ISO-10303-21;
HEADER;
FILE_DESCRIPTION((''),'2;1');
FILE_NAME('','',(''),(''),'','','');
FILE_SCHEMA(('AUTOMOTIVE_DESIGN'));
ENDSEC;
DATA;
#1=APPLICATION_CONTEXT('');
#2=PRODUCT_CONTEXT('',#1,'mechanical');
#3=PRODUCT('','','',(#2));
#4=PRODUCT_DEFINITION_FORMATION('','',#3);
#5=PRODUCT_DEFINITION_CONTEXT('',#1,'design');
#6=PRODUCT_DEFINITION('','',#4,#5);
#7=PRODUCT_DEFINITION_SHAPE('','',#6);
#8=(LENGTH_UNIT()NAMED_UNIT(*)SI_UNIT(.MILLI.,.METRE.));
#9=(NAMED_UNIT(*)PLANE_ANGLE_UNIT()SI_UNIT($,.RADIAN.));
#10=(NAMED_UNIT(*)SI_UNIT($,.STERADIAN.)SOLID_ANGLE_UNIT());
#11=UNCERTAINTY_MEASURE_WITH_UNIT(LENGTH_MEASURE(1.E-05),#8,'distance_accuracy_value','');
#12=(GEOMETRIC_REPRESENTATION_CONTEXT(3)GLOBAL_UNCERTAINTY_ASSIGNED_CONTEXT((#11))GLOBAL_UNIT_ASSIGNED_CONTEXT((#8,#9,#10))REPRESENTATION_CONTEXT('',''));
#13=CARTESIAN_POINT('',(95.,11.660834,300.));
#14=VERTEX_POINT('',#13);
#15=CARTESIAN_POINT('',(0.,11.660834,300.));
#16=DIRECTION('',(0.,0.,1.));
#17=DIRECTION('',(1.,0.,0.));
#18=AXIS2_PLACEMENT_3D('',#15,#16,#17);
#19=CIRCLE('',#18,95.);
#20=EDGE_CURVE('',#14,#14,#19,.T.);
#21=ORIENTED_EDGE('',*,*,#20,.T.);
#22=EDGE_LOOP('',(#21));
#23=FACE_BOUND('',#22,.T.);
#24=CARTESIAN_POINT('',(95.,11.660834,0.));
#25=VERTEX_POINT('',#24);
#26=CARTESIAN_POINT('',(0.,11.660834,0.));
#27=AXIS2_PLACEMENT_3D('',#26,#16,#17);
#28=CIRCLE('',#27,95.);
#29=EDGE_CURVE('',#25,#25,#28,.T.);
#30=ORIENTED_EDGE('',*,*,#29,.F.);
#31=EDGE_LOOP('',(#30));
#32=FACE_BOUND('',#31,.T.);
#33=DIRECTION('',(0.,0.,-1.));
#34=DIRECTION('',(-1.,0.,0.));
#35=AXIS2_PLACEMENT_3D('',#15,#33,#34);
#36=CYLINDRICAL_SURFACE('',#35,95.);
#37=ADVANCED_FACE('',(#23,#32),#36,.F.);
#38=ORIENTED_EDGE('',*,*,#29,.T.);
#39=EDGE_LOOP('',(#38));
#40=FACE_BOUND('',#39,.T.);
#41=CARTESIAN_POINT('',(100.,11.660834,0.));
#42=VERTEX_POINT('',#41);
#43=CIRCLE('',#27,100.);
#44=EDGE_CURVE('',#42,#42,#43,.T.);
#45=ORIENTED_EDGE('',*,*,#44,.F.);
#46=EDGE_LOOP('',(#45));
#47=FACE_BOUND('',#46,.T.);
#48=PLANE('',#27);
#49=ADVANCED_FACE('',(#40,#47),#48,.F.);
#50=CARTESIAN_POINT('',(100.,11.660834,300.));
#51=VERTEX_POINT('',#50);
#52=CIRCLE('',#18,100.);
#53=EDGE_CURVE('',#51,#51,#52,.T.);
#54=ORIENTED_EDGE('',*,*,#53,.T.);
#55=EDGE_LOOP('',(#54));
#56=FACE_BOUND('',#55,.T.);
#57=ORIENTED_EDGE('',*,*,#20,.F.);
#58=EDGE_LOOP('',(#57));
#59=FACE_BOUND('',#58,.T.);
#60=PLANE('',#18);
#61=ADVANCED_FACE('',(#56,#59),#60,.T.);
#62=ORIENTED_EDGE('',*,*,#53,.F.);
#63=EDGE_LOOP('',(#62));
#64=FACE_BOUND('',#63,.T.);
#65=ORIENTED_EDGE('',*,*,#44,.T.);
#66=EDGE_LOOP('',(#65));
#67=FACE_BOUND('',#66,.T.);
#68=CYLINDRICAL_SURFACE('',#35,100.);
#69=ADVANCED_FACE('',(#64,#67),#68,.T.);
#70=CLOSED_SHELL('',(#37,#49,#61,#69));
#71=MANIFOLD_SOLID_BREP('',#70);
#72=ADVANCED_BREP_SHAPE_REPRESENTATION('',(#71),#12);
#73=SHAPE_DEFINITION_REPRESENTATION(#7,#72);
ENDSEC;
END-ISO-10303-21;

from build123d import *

# Parameters (mm, degrees)
SCHIZZO1_R                   = 100
SCHIZZO1_R_2                 = 95
ESTRUSIONE_ESTRUSIONE1_DEPTH = 300


with BuildPart() as part:
    # Schizzo1 → Estrusione-Estrusione1 (new body)
    with BuildSketch(Plane.XY):
        with Locations((0, 11.660834247)):
            Circle(SCHIZZO1_R)
        with Locations((0, 11.660834247)):
            Circle(SCHIZZO1_R_2, mode=Mode.SUBTRACT)
    extrude(amount=ESTRUSIONE_ESTRUSIONE1_DEPTH)


solid = part.part
